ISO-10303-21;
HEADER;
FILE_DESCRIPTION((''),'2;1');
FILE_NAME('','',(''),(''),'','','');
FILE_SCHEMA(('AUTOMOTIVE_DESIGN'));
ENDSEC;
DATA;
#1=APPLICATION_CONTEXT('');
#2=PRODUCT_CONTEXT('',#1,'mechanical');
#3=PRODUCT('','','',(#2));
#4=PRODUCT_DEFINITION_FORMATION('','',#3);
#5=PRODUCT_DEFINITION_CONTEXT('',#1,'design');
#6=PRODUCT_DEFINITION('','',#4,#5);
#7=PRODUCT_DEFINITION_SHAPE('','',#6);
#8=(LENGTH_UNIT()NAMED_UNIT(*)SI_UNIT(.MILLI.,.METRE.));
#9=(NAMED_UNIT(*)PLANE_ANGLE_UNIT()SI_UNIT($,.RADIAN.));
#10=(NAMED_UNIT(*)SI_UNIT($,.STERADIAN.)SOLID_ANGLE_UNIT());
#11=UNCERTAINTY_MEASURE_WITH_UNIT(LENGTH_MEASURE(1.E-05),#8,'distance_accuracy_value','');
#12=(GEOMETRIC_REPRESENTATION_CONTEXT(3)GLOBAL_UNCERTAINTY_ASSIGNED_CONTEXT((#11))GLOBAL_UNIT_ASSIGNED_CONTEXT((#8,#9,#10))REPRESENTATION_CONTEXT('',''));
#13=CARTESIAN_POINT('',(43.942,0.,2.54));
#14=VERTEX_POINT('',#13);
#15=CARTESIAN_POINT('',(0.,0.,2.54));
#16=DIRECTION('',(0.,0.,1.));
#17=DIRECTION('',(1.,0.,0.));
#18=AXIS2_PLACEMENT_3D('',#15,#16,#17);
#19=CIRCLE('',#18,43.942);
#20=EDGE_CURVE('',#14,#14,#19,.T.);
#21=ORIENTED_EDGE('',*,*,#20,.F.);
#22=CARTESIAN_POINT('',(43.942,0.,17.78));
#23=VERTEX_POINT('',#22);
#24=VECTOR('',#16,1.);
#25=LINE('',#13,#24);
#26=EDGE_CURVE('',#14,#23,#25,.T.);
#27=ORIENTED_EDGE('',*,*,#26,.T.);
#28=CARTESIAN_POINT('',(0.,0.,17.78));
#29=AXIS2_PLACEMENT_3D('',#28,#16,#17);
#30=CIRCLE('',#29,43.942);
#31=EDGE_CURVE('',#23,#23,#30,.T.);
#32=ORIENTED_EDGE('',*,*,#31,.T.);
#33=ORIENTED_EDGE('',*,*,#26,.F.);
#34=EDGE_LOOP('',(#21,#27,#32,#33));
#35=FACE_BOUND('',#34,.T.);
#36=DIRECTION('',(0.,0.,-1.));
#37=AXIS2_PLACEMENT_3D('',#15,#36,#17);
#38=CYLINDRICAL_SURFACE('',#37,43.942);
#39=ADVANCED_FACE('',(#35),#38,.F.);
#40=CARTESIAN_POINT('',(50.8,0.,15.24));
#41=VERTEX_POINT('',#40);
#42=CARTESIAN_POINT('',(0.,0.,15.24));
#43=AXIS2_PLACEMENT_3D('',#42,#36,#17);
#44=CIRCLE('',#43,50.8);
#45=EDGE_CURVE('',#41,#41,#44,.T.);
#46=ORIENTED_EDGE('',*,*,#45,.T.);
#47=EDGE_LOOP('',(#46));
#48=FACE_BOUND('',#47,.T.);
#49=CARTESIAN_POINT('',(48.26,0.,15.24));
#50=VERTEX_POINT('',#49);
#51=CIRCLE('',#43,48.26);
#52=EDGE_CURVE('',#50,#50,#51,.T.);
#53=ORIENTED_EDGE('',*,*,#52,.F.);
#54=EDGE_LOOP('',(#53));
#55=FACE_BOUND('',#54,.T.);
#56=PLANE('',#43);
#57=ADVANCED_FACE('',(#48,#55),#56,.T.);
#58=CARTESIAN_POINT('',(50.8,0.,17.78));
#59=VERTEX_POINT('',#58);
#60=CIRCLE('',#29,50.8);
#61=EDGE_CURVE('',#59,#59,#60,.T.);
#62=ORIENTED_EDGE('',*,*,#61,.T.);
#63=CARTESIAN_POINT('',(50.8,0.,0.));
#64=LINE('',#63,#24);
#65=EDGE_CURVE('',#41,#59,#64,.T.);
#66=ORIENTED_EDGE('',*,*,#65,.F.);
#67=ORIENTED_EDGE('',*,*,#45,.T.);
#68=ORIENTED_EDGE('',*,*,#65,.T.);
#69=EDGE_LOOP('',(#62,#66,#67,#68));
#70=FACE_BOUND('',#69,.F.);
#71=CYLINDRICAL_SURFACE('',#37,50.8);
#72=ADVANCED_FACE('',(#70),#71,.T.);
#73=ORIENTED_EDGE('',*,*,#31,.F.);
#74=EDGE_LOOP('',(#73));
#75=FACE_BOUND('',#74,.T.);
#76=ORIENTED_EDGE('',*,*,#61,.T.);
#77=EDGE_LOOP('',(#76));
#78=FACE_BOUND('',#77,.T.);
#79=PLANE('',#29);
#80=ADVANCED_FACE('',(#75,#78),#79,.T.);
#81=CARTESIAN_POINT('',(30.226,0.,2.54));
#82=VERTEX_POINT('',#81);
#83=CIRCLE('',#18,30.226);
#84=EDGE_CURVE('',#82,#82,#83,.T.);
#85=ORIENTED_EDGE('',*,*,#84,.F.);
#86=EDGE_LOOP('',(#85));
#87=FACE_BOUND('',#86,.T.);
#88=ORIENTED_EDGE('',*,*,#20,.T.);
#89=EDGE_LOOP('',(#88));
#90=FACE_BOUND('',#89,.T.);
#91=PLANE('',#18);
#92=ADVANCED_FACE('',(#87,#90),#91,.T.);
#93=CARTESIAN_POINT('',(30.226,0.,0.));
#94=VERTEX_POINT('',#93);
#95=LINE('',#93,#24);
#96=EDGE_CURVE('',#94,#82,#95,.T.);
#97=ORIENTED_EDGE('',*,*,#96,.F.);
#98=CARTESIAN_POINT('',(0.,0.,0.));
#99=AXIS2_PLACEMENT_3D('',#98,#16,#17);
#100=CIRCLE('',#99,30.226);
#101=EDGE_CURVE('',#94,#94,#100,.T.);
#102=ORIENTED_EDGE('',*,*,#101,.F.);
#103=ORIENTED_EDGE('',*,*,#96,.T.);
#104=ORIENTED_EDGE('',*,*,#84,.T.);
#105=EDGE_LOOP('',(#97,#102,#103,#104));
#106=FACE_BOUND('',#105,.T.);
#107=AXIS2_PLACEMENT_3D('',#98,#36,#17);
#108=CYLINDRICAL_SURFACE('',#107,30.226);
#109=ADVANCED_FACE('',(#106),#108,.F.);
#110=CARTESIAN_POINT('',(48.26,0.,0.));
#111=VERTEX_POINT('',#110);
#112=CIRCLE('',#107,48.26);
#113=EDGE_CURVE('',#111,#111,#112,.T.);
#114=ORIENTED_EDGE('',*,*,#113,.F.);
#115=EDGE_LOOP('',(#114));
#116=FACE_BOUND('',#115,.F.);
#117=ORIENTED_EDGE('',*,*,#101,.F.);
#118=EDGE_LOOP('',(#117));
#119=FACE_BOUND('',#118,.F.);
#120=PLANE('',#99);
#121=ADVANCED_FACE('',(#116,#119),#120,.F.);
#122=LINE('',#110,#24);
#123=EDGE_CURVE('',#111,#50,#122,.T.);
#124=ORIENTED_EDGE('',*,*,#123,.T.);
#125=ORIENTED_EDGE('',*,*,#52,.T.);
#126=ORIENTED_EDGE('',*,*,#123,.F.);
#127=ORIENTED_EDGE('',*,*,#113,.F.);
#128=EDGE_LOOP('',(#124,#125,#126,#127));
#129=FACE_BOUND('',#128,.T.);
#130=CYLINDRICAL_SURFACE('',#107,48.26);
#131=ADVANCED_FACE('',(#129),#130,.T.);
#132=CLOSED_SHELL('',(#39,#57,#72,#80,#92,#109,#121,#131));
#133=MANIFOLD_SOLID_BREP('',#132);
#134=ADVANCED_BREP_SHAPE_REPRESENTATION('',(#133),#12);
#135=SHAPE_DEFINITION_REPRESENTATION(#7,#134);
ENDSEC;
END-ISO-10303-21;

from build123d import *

# Parameters (mm, degrees)
F0_R     = 50.8
F0_R_2   = 30.226
F1_DEPTH = 2.54
F2_R     = 50.8
F2_R_2   = 43.942
F3_DEPTH = 15.24
F4_R     = 50.8
F4_R_2   = 48.26
F5_DEPTH = 15.24


with BuildPart() as f1:
    # F0 (on Top) → F1 (new body)
    with BuildSketch(Plane.XY):
        Circle(F0_R)
        Circle(F0_R_2, mode=Mode.SUBTRACT)
    extrude(amount=F1_DEPTH)

    # F2 (on face) → F3 (join)
    with BuildSketch(Plane.XY.offset(2.54)):
        Circle(F2_R)
        Circle(F2_R_2, mode=Mode.SUBTRACT)
    extrude(amount=F3_DEPTH)

    # F4 (on face) → F5 (cut)
    with BuildSketch(Plane(origin=(0, 0, 0), x_dir=(1, 0, 0), z_dir=(0, 0, -1))):
        Circle(F4_R)
        Circle(F4_R_2, mode=Mode.SUBTRACT)
    extrude(amount=-F5_DEPTH, mode=Mode.SUBTRACT)


solid = f1.part
